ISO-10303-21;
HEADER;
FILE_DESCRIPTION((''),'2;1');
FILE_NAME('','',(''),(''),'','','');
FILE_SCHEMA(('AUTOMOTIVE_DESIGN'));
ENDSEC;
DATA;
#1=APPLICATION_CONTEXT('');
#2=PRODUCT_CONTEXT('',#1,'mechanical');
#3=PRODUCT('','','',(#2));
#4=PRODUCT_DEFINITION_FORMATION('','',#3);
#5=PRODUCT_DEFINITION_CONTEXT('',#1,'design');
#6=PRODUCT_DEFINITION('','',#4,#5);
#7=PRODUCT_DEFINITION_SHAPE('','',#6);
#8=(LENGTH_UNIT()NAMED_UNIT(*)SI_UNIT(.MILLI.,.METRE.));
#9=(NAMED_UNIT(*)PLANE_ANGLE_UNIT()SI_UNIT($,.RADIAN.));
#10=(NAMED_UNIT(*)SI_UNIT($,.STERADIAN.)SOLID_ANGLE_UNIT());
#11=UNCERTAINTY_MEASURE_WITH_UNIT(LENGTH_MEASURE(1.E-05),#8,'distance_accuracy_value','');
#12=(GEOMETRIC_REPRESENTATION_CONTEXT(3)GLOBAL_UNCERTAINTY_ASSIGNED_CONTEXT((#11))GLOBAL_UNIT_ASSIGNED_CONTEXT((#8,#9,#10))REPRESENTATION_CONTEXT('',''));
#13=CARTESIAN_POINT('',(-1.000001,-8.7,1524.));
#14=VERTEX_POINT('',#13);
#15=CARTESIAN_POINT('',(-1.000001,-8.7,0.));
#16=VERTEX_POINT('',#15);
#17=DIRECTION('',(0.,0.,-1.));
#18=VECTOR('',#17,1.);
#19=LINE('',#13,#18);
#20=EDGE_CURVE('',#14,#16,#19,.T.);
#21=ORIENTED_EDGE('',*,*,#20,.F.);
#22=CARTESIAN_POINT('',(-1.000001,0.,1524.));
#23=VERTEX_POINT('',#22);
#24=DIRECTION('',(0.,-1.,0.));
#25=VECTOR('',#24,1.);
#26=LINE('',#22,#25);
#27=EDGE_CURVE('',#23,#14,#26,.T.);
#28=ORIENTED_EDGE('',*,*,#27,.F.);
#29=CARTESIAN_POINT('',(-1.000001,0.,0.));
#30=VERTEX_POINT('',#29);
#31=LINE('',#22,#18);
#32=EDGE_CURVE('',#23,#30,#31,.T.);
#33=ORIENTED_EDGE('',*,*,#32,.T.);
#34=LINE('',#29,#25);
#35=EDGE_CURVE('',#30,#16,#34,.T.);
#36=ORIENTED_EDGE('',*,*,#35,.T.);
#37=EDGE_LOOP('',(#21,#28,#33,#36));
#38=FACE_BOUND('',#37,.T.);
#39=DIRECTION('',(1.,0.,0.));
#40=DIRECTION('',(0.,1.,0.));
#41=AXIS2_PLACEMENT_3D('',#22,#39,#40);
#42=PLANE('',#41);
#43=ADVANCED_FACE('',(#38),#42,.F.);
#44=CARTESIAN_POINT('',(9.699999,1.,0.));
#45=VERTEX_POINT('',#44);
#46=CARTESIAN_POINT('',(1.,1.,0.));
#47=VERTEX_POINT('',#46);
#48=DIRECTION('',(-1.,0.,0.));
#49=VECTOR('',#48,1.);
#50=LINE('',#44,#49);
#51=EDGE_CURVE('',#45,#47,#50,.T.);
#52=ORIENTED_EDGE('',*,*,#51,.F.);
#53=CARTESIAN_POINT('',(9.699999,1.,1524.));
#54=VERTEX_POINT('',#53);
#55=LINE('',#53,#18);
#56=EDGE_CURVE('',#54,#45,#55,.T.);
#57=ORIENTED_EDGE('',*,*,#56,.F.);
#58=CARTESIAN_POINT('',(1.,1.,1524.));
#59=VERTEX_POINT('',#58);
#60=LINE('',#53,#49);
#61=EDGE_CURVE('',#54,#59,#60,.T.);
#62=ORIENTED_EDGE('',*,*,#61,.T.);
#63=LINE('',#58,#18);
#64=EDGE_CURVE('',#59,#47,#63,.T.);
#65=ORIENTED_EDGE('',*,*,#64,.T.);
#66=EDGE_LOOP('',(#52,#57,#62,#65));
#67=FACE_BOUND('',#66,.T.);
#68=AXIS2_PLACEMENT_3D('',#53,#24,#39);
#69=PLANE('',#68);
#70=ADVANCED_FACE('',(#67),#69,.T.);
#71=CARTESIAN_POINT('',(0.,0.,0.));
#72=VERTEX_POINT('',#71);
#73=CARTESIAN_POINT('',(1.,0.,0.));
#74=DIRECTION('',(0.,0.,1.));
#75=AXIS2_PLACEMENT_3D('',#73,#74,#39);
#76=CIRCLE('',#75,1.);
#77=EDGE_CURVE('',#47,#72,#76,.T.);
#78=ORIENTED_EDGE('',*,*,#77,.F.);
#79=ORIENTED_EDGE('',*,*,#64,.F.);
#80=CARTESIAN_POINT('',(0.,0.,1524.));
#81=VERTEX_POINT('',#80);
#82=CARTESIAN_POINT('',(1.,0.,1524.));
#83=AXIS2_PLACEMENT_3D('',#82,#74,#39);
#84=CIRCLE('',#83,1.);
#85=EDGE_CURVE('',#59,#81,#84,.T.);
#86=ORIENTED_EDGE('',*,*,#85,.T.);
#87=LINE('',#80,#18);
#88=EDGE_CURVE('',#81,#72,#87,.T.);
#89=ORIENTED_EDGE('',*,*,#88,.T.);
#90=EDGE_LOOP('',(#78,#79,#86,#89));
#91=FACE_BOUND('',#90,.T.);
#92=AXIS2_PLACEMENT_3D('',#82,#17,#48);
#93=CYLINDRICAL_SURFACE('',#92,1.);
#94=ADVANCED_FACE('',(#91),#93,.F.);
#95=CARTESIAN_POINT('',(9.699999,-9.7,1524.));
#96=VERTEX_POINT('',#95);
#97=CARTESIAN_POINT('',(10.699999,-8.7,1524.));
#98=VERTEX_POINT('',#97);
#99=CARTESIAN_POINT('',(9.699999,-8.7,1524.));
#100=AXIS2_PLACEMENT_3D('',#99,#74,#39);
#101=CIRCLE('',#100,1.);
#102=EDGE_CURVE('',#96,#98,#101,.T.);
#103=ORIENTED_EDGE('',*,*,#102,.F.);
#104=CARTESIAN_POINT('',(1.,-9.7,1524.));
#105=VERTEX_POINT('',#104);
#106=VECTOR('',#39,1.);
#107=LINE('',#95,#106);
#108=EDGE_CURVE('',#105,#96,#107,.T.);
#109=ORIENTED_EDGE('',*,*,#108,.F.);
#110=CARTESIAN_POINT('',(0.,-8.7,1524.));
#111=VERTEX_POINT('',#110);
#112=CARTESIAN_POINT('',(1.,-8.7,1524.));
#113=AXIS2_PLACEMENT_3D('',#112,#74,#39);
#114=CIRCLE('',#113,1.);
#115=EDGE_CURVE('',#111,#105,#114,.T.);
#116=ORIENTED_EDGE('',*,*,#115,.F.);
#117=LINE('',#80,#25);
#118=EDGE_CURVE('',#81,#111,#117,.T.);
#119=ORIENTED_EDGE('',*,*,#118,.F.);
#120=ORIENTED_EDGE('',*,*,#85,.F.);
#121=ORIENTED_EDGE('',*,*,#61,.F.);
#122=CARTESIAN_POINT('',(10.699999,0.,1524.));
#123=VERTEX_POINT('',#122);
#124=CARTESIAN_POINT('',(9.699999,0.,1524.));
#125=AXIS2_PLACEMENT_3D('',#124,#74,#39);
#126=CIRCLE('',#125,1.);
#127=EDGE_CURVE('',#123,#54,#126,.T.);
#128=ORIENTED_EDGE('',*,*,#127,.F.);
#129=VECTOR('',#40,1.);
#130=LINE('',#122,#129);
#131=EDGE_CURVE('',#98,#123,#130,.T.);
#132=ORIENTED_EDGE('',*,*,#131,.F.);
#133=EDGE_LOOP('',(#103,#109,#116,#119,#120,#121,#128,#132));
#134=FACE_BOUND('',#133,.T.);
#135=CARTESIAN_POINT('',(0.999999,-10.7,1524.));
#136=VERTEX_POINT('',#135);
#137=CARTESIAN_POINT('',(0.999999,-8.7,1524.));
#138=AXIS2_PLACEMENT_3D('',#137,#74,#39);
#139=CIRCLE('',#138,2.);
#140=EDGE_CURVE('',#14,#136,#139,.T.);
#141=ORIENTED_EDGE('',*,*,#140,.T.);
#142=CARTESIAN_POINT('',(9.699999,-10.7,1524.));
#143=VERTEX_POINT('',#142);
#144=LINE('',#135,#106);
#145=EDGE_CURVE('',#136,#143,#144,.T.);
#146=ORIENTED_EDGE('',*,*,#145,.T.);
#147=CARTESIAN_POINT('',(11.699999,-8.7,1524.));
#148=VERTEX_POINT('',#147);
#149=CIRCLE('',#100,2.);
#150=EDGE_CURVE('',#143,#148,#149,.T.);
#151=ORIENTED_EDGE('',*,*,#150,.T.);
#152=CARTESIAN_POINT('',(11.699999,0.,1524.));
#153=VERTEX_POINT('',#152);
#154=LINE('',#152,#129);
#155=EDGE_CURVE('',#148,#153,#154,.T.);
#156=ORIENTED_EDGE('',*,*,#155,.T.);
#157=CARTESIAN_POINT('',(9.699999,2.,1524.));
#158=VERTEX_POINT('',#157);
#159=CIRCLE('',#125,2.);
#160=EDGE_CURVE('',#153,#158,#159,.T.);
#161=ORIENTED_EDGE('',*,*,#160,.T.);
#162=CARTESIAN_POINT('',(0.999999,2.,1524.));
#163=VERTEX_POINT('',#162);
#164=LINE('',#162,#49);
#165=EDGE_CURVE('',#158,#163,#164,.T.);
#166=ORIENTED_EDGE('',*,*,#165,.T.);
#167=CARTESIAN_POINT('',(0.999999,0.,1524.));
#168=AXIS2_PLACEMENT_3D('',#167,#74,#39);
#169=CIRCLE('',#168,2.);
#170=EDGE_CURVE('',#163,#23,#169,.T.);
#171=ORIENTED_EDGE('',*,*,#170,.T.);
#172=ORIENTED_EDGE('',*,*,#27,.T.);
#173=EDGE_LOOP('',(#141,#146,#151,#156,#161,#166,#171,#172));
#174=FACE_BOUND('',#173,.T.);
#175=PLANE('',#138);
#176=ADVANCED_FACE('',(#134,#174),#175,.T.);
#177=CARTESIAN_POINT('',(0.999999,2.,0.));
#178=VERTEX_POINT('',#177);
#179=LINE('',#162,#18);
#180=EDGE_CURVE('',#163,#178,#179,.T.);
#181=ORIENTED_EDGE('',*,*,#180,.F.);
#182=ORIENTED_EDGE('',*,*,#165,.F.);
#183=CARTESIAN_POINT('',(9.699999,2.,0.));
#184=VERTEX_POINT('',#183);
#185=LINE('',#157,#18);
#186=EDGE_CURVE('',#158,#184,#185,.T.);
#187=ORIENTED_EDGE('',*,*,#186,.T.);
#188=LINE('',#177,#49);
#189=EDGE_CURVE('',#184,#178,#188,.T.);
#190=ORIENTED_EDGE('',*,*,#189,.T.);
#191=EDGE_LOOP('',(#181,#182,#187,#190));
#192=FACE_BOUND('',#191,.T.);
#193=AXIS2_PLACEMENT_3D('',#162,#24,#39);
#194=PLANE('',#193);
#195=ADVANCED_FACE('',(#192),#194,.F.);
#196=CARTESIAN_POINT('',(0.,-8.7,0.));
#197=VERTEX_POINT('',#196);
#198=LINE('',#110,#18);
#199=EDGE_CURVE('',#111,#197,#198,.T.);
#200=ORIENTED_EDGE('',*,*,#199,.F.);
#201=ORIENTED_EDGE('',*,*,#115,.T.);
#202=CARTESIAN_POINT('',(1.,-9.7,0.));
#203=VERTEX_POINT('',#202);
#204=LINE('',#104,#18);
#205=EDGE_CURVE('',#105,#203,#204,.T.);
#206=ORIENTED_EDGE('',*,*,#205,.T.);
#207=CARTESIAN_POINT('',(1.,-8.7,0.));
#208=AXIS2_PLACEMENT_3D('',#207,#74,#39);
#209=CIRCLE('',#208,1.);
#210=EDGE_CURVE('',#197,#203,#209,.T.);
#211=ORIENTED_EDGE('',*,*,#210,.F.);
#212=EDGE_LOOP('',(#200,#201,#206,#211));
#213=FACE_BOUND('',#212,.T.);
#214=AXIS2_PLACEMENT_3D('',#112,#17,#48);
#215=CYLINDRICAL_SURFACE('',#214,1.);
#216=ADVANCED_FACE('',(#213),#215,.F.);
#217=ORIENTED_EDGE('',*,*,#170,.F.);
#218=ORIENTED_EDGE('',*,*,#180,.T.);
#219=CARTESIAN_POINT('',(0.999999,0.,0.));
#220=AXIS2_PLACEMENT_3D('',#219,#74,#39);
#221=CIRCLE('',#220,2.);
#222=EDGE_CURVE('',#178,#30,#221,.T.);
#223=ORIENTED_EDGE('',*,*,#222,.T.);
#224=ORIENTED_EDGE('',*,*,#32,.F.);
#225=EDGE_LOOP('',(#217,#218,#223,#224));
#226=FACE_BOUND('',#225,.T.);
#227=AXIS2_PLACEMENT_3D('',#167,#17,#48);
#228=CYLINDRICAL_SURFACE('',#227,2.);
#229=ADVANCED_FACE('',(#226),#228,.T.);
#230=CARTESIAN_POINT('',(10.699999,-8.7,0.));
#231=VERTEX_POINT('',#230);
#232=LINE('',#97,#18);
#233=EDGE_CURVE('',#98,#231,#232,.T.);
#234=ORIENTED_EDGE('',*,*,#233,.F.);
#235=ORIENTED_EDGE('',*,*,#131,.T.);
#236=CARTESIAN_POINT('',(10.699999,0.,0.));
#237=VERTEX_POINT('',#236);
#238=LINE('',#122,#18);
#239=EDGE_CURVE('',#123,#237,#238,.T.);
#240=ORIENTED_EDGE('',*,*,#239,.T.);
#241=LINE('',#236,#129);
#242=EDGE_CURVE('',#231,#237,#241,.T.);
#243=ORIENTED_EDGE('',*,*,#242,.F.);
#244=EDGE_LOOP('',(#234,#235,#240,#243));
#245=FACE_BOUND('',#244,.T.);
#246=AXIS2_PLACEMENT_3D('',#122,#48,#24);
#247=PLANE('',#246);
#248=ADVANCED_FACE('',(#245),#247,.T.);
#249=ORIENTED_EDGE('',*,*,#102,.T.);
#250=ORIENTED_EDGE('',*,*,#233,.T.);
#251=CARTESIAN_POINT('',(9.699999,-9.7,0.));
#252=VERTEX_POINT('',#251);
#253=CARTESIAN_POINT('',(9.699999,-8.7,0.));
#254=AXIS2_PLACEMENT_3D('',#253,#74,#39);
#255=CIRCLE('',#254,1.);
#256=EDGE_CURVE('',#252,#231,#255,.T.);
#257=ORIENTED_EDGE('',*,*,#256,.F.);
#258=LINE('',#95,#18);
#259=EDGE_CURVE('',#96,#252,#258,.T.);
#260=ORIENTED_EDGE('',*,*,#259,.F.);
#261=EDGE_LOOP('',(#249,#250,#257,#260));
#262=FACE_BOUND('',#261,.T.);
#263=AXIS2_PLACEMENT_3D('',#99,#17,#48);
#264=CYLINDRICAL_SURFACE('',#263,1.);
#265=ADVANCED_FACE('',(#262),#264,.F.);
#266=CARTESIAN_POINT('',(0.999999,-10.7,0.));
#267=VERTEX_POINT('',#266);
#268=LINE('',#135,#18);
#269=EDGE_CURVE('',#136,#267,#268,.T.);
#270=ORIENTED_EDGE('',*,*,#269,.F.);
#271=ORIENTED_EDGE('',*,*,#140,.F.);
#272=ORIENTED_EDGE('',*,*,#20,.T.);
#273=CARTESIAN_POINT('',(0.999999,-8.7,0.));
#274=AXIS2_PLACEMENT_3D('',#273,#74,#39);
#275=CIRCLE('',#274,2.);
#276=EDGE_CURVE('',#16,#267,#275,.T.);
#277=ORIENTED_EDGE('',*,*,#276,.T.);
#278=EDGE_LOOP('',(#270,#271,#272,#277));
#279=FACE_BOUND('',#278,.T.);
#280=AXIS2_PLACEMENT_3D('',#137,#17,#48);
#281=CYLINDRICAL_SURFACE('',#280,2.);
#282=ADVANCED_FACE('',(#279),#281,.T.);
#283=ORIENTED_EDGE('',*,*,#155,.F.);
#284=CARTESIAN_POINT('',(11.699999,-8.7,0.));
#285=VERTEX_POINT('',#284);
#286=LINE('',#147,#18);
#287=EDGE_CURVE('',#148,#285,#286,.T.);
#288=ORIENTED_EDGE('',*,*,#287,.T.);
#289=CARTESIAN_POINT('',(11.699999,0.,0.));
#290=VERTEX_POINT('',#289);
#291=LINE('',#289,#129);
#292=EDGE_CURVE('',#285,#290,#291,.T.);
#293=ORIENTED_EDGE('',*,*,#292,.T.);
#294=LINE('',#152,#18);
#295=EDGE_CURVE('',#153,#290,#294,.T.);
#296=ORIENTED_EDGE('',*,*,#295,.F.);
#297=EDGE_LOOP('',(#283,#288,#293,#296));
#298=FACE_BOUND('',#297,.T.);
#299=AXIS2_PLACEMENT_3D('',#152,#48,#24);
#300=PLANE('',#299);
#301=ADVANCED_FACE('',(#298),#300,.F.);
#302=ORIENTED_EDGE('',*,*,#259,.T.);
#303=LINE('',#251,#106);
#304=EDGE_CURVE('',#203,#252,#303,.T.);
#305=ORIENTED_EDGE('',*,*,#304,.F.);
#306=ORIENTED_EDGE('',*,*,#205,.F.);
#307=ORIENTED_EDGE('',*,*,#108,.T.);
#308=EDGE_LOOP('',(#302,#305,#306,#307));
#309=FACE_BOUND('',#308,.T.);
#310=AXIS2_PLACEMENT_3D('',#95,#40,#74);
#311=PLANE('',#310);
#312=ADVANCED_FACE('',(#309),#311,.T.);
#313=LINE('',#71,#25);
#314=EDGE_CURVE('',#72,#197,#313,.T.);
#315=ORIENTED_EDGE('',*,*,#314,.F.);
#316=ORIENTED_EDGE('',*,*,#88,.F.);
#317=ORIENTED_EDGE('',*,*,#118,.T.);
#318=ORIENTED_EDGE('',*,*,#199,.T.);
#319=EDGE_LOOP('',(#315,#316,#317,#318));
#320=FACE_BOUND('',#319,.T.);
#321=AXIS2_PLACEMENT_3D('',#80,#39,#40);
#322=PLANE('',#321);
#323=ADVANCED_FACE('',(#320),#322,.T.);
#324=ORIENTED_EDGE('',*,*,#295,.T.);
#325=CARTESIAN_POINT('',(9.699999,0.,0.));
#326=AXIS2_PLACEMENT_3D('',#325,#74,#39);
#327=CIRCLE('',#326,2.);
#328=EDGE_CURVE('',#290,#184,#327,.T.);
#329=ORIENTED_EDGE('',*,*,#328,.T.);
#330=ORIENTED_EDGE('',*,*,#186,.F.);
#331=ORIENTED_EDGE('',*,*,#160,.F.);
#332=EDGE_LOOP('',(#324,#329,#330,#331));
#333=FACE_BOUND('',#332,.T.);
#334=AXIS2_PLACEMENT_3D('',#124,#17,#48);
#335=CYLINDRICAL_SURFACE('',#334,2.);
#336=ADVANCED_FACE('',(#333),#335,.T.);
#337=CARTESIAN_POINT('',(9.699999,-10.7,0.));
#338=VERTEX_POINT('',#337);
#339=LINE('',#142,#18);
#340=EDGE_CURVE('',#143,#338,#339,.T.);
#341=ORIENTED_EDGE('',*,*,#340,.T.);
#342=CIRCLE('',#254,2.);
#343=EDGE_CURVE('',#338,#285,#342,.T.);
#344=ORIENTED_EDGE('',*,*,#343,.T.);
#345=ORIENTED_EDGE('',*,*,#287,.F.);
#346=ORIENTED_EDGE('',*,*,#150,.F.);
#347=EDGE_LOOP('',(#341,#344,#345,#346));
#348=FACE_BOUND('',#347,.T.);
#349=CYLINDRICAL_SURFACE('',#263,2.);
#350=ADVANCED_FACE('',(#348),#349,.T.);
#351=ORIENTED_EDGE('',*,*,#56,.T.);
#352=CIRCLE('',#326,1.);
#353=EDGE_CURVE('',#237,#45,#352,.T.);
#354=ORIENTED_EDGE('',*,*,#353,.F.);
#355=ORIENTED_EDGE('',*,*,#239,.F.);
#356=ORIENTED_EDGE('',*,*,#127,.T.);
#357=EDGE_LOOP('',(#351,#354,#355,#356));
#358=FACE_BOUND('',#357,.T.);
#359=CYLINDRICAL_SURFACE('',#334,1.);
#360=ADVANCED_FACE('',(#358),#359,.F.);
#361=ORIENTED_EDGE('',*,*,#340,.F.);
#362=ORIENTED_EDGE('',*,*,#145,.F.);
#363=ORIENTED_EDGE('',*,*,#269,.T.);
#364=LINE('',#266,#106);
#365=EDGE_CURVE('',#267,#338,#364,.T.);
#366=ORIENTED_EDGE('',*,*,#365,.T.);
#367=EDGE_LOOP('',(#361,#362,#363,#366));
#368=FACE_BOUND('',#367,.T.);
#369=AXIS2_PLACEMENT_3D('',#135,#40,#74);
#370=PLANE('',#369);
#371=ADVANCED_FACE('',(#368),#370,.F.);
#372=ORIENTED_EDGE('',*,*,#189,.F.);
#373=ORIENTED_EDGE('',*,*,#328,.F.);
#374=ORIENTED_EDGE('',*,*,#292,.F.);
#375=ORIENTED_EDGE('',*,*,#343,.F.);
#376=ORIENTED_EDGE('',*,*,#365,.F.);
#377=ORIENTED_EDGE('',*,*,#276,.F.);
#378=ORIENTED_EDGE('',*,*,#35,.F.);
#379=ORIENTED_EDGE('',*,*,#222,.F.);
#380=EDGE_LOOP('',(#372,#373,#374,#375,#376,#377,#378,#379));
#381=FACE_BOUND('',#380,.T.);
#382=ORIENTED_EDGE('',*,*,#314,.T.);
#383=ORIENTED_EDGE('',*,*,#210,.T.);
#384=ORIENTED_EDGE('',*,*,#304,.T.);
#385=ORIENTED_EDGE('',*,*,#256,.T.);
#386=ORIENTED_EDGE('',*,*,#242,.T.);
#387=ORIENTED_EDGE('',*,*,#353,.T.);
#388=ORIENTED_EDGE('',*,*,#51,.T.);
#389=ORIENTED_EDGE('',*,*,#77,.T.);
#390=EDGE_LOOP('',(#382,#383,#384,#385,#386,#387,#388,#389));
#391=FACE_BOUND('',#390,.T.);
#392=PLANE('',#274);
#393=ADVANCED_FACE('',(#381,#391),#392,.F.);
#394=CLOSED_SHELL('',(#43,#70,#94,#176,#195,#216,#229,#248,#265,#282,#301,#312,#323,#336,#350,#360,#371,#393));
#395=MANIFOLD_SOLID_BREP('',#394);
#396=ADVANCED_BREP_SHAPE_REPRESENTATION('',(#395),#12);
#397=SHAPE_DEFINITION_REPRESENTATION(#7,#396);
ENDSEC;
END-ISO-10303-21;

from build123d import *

# Parameters (mm, degrees)
BOSS_EXTRUDE1_DEPTH = 1524


with BuildPart() as part:
    # Sketch1 → Boss-Extrude1 (new body)
    with BuildSketch(Plane.XY):
        with BuildLine():
            Line((0.99999933, 2), (9.69999933, 2))
            ThreePointArc((9.69999933, 2), (11.114212892, 1.414213562), (11.69999933, 0))
            Line((11.69999933, 0), (11.69999933, -8.700000007))
            ThreePointArc((11.69999933, -8.700000007), (11.114212892, -10.114213569), (9.69999933, -10.700000007))
            Line((9.69999933, -10.700000007), (0.99999933, -10.700000007))
            ThreePointArc((0.99999933, -10.700000007), (-0.414214233, -10.114213569), (-1.00000067, -8.700000007))
            Line((-1.00000067, -8.700000007), (-1.00000067, 0))
            ThreePointArc((-1.00000067, 0), (-0.414214233, 1.414213562), (0.99999933, 2))
        make_face()
        with BuildLine():
            Line((9.69999933, 1), (1, 1))
            ThreePointArc((1, 1), (0.292893219, 0.707106781), (0, 0))
            Line((0, 0), (0, -8.700000007))
            ThreePointArc((0, -8.700000007), (0.292893219, -9.407106788), (1, -9.700000007))
            Line((1, -9.700000007), (9.69999933, -9.700000007))
            ThreePointArc((9.69999933, -9.700000007), (10.407106111, -9.407106788), (10.69999933, -8.700000007))
            Line((10.69999933, -8.700000007), (10.69999933, 0))
            ThreePointArc((10.69999933, 0), (10.407106111, 0.707106781), (9.69999933, 1))
        make_face(mode=Mode.SUBTRACT)
    extrude(amount=BOSS_EXTRUDE1_DEPTH)


solid = part.part
